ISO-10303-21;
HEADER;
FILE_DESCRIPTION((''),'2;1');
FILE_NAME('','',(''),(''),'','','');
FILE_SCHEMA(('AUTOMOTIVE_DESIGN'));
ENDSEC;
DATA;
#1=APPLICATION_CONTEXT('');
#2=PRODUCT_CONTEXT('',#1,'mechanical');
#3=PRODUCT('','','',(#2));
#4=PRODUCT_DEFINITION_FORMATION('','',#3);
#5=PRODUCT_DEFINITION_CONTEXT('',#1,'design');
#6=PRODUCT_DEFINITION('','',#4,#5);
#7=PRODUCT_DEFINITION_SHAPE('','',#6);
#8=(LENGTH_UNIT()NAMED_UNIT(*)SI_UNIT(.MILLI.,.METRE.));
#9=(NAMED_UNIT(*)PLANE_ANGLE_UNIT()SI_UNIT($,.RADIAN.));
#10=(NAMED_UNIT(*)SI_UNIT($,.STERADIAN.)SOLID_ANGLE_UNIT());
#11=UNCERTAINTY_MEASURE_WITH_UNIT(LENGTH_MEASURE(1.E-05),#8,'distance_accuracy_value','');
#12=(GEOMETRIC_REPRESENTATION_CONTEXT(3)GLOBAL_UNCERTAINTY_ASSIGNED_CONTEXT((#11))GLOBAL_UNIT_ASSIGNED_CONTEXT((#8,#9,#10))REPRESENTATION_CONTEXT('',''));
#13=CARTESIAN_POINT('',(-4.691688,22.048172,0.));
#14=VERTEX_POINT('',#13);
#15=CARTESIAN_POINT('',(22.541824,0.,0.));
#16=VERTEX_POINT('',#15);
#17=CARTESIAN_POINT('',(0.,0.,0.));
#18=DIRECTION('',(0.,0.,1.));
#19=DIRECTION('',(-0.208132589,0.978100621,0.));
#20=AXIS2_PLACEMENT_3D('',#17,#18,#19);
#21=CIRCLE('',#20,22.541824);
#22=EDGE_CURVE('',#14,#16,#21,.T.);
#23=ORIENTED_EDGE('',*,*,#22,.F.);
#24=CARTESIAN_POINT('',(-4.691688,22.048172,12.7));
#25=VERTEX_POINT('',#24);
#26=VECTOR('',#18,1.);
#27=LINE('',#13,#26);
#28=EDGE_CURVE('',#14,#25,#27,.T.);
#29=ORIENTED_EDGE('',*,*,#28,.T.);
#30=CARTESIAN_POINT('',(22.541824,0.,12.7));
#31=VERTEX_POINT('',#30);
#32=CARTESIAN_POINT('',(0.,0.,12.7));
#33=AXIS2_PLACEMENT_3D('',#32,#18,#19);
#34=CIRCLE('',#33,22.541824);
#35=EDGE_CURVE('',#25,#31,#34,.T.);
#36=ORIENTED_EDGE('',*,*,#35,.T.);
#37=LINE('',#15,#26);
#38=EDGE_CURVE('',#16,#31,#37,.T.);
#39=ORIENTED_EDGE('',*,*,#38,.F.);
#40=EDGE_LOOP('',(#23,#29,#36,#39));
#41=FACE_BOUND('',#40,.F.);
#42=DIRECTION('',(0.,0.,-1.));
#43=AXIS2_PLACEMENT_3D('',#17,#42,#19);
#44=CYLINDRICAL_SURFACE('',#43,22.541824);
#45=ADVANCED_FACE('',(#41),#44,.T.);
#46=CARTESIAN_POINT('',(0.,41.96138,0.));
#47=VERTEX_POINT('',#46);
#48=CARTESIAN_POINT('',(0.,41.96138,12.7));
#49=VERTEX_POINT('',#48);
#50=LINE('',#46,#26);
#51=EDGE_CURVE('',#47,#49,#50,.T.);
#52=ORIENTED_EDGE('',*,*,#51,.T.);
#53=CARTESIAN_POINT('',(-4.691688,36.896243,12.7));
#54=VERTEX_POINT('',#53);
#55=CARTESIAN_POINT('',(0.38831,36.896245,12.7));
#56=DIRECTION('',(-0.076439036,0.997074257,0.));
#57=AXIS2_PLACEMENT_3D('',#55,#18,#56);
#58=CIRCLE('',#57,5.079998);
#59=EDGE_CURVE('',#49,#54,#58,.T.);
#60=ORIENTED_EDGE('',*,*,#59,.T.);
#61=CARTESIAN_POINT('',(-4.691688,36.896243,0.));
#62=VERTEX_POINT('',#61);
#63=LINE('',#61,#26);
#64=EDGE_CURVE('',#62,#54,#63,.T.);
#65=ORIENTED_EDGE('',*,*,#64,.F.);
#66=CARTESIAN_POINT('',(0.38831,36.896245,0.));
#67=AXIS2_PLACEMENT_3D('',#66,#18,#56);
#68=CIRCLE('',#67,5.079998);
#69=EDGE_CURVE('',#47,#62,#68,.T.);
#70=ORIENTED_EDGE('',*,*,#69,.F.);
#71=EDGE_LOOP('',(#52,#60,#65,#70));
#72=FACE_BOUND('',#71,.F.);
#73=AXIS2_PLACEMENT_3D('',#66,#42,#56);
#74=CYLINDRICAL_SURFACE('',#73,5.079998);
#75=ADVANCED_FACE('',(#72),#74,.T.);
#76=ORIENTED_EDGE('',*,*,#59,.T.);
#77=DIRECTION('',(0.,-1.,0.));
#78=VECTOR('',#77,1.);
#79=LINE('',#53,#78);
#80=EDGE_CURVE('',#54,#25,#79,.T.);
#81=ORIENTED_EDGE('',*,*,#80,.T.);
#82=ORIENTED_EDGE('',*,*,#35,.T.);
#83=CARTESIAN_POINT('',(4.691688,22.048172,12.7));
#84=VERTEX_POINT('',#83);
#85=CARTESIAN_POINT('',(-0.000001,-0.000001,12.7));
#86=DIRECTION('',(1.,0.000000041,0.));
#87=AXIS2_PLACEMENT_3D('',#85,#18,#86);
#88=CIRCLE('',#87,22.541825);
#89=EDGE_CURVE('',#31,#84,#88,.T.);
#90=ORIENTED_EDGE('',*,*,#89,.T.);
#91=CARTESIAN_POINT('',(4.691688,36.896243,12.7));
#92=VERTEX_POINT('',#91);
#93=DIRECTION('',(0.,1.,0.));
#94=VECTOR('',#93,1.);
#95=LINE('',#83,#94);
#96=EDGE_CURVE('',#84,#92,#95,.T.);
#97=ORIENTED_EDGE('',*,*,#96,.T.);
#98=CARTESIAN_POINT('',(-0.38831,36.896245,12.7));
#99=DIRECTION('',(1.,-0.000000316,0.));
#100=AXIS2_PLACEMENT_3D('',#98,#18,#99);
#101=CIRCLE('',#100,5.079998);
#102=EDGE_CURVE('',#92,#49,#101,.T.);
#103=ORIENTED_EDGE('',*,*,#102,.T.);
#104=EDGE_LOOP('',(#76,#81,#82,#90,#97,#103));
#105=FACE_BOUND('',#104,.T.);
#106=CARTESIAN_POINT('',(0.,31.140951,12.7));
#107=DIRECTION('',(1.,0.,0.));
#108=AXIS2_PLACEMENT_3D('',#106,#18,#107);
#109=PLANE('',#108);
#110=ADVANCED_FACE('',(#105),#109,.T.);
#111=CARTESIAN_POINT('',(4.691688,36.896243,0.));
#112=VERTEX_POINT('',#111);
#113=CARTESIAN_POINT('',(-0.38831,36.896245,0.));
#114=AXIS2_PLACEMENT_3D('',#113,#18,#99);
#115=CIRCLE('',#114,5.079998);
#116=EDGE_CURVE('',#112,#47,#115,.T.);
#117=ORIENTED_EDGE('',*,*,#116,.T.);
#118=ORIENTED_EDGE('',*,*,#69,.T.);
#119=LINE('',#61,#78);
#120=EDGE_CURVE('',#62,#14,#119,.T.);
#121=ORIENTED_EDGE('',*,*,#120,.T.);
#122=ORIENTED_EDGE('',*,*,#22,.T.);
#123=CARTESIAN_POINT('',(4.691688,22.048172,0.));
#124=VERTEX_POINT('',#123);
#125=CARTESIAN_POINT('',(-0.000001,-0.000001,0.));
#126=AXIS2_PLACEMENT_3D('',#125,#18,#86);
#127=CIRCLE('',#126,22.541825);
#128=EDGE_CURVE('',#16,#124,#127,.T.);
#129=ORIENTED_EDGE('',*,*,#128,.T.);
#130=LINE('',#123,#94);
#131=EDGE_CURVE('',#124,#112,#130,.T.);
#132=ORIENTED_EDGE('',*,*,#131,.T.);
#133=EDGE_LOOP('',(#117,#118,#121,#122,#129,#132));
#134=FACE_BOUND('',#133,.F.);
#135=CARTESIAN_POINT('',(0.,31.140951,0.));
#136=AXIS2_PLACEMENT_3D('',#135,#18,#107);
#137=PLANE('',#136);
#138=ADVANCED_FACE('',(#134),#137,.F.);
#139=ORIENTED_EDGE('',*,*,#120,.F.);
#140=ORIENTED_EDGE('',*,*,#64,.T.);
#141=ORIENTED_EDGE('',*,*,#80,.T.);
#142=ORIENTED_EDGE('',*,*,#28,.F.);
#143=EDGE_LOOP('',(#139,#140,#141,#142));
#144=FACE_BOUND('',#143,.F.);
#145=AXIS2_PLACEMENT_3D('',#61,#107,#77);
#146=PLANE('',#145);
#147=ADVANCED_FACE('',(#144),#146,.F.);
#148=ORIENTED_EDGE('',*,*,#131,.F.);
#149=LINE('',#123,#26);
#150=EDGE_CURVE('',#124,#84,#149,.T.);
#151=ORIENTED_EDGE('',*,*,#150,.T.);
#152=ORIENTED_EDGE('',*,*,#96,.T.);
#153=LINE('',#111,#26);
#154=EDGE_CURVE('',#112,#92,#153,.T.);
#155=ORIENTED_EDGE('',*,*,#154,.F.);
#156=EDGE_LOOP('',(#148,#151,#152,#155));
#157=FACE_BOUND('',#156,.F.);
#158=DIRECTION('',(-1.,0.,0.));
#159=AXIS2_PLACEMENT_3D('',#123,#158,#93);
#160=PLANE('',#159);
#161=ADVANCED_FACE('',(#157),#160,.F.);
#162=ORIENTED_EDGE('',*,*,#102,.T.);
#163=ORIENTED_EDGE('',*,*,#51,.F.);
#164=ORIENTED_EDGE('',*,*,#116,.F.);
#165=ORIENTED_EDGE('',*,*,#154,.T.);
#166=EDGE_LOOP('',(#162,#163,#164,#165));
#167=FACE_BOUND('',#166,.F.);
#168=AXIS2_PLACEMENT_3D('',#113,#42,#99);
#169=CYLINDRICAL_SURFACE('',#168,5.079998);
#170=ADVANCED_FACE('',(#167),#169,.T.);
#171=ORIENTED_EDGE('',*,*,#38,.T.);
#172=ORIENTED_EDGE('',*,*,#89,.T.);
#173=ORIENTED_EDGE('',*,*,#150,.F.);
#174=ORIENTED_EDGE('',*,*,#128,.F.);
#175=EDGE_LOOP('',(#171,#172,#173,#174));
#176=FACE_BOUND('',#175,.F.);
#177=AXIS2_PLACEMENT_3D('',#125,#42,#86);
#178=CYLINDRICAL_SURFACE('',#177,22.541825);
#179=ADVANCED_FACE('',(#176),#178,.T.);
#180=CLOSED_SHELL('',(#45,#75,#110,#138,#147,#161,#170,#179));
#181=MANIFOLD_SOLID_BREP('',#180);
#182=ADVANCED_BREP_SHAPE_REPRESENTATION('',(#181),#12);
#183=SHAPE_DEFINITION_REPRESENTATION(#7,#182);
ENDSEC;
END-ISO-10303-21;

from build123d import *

# Parameters (mm, degrees)
F1_DEPTH = 12.7


with BuildPart() as f1:
    # F0 (on Top) → F1 (new body)
    with BuildSketch(Plane.XY):
        with BuildLine():
            ThreePointArc((-4.691688, 22.048172), (0, 22.541824), (4.691688, 22.048172))
            Line((4.691688, 22.048172), (4.691688, 36.896243))
            ThreePointArc((4.691688, 36.896243), (3.338552, 40.348328), (0, 41.96138))
            ThreePointArc((0, 41.96138), (-3.338552, 40.348328), (-4.691688, 36.896243))
            Line((-4.691688, 36.896243), (-4.691688, 22.048172))
        make_face()
        with BuildLine():
            ThreePointArc((-4.691688, 22.048172), (-14.184051, -17.519889), (22.541824, 0))
            ThreePointArc((22.541824, 0), (17.519889, 14.184051), (4.691688, 22.048172))
            ThreePointArc((4.691688, 22.048172), (0, 22.541824), (-4.691688, 22.048172))
        make_face()
    extrude(amount=F1_DEPTH)


solid = f1.part
